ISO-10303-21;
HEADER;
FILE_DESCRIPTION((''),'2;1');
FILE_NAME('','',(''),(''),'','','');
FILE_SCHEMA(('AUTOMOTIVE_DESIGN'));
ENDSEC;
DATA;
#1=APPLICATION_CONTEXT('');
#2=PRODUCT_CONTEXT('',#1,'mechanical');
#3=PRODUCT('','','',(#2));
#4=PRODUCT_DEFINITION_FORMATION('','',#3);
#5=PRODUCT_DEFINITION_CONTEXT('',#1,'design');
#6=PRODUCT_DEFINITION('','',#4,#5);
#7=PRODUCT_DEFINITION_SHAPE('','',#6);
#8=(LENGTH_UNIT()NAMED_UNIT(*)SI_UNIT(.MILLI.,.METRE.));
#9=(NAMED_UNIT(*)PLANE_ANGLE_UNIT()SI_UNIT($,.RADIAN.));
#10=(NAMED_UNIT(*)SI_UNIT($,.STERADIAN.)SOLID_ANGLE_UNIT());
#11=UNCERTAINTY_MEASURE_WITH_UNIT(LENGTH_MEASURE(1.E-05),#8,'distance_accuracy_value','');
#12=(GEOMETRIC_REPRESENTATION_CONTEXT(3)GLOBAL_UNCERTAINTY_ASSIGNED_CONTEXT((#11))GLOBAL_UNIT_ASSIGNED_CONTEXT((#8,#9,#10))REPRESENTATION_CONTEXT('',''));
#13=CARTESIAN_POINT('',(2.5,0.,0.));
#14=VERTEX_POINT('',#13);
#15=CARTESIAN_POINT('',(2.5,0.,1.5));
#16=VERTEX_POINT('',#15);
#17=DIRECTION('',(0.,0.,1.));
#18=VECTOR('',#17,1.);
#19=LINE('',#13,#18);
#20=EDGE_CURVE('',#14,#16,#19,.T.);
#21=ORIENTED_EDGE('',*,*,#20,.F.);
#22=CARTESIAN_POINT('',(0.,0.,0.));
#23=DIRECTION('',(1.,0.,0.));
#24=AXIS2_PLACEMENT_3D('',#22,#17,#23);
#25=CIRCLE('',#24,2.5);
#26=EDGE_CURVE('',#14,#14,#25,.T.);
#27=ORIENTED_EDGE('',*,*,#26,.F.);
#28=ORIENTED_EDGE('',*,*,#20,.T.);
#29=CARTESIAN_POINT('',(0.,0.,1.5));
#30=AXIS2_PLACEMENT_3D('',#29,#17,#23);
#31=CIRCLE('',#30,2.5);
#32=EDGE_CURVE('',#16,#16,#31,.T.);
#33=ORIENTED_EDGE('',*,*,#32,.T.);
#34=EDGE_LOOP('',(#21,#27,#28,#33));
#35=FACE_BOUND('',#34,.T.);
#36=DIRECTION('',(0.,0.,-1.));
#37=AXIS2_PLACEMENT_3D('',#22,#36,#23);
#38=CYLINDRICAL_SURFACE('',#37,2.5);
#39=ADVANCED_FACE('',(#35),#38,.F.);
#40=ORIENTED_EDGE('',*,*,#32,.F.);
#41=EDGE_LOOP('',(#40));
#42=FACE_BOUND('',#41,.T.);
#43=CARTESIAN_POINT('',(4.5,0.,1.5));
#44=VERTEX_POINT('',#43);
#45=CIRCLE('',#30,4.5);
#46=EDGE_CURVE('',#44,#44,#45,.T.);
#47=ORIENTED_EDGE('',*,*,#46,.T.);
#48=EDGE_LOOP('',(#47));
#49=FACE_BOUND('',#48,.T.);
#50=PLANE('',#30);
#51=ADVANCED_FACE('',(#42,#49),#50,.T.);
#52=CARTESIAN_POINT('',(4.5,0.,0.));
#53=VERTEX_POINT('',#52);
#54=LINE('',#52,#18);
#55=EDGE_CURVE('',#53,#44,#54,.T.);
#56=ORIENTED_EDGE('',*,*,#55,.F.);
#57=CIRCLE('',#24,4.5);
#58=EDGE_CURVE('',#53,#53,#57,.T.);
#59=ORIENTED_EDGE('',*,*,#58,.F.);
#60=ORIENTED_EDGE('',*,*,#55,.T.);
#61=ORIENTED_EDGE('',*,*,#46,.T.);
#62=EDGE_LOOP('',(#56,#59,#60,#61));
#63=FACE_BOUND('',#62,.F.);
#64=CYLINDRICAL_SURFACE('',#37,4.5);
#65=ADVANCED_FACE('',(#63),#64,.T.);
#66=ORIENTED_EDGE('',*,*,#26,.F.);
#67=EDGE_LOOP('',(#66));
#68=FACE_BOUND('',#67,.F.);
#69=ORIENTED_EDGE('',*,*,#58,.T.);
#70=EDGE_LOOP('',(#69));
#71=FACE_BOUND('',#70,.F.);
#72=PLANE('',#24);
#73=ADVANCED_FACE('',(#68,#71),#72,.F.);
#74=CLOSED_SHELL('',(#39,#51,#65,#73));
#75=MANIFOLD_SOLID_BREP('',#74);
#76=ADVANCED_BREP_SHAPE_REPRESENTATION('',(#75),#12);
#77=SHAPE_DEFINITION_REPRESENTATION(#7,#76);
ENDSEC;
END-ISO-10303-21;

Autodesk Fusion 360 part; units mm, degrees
sketch "Sketch1" plane through (0, 0, 0) normal (0, 0, 1) x (1, 0, 0)
  circle A0 centre (0, 0) radius 2.5
  circle A1 centre (0, 0) radius 4.5
  dimension "d1" = 5
  dimension "d2" = 9
extrude "Extrude2" add sketch "Sketch1" along normal blind 1.5
